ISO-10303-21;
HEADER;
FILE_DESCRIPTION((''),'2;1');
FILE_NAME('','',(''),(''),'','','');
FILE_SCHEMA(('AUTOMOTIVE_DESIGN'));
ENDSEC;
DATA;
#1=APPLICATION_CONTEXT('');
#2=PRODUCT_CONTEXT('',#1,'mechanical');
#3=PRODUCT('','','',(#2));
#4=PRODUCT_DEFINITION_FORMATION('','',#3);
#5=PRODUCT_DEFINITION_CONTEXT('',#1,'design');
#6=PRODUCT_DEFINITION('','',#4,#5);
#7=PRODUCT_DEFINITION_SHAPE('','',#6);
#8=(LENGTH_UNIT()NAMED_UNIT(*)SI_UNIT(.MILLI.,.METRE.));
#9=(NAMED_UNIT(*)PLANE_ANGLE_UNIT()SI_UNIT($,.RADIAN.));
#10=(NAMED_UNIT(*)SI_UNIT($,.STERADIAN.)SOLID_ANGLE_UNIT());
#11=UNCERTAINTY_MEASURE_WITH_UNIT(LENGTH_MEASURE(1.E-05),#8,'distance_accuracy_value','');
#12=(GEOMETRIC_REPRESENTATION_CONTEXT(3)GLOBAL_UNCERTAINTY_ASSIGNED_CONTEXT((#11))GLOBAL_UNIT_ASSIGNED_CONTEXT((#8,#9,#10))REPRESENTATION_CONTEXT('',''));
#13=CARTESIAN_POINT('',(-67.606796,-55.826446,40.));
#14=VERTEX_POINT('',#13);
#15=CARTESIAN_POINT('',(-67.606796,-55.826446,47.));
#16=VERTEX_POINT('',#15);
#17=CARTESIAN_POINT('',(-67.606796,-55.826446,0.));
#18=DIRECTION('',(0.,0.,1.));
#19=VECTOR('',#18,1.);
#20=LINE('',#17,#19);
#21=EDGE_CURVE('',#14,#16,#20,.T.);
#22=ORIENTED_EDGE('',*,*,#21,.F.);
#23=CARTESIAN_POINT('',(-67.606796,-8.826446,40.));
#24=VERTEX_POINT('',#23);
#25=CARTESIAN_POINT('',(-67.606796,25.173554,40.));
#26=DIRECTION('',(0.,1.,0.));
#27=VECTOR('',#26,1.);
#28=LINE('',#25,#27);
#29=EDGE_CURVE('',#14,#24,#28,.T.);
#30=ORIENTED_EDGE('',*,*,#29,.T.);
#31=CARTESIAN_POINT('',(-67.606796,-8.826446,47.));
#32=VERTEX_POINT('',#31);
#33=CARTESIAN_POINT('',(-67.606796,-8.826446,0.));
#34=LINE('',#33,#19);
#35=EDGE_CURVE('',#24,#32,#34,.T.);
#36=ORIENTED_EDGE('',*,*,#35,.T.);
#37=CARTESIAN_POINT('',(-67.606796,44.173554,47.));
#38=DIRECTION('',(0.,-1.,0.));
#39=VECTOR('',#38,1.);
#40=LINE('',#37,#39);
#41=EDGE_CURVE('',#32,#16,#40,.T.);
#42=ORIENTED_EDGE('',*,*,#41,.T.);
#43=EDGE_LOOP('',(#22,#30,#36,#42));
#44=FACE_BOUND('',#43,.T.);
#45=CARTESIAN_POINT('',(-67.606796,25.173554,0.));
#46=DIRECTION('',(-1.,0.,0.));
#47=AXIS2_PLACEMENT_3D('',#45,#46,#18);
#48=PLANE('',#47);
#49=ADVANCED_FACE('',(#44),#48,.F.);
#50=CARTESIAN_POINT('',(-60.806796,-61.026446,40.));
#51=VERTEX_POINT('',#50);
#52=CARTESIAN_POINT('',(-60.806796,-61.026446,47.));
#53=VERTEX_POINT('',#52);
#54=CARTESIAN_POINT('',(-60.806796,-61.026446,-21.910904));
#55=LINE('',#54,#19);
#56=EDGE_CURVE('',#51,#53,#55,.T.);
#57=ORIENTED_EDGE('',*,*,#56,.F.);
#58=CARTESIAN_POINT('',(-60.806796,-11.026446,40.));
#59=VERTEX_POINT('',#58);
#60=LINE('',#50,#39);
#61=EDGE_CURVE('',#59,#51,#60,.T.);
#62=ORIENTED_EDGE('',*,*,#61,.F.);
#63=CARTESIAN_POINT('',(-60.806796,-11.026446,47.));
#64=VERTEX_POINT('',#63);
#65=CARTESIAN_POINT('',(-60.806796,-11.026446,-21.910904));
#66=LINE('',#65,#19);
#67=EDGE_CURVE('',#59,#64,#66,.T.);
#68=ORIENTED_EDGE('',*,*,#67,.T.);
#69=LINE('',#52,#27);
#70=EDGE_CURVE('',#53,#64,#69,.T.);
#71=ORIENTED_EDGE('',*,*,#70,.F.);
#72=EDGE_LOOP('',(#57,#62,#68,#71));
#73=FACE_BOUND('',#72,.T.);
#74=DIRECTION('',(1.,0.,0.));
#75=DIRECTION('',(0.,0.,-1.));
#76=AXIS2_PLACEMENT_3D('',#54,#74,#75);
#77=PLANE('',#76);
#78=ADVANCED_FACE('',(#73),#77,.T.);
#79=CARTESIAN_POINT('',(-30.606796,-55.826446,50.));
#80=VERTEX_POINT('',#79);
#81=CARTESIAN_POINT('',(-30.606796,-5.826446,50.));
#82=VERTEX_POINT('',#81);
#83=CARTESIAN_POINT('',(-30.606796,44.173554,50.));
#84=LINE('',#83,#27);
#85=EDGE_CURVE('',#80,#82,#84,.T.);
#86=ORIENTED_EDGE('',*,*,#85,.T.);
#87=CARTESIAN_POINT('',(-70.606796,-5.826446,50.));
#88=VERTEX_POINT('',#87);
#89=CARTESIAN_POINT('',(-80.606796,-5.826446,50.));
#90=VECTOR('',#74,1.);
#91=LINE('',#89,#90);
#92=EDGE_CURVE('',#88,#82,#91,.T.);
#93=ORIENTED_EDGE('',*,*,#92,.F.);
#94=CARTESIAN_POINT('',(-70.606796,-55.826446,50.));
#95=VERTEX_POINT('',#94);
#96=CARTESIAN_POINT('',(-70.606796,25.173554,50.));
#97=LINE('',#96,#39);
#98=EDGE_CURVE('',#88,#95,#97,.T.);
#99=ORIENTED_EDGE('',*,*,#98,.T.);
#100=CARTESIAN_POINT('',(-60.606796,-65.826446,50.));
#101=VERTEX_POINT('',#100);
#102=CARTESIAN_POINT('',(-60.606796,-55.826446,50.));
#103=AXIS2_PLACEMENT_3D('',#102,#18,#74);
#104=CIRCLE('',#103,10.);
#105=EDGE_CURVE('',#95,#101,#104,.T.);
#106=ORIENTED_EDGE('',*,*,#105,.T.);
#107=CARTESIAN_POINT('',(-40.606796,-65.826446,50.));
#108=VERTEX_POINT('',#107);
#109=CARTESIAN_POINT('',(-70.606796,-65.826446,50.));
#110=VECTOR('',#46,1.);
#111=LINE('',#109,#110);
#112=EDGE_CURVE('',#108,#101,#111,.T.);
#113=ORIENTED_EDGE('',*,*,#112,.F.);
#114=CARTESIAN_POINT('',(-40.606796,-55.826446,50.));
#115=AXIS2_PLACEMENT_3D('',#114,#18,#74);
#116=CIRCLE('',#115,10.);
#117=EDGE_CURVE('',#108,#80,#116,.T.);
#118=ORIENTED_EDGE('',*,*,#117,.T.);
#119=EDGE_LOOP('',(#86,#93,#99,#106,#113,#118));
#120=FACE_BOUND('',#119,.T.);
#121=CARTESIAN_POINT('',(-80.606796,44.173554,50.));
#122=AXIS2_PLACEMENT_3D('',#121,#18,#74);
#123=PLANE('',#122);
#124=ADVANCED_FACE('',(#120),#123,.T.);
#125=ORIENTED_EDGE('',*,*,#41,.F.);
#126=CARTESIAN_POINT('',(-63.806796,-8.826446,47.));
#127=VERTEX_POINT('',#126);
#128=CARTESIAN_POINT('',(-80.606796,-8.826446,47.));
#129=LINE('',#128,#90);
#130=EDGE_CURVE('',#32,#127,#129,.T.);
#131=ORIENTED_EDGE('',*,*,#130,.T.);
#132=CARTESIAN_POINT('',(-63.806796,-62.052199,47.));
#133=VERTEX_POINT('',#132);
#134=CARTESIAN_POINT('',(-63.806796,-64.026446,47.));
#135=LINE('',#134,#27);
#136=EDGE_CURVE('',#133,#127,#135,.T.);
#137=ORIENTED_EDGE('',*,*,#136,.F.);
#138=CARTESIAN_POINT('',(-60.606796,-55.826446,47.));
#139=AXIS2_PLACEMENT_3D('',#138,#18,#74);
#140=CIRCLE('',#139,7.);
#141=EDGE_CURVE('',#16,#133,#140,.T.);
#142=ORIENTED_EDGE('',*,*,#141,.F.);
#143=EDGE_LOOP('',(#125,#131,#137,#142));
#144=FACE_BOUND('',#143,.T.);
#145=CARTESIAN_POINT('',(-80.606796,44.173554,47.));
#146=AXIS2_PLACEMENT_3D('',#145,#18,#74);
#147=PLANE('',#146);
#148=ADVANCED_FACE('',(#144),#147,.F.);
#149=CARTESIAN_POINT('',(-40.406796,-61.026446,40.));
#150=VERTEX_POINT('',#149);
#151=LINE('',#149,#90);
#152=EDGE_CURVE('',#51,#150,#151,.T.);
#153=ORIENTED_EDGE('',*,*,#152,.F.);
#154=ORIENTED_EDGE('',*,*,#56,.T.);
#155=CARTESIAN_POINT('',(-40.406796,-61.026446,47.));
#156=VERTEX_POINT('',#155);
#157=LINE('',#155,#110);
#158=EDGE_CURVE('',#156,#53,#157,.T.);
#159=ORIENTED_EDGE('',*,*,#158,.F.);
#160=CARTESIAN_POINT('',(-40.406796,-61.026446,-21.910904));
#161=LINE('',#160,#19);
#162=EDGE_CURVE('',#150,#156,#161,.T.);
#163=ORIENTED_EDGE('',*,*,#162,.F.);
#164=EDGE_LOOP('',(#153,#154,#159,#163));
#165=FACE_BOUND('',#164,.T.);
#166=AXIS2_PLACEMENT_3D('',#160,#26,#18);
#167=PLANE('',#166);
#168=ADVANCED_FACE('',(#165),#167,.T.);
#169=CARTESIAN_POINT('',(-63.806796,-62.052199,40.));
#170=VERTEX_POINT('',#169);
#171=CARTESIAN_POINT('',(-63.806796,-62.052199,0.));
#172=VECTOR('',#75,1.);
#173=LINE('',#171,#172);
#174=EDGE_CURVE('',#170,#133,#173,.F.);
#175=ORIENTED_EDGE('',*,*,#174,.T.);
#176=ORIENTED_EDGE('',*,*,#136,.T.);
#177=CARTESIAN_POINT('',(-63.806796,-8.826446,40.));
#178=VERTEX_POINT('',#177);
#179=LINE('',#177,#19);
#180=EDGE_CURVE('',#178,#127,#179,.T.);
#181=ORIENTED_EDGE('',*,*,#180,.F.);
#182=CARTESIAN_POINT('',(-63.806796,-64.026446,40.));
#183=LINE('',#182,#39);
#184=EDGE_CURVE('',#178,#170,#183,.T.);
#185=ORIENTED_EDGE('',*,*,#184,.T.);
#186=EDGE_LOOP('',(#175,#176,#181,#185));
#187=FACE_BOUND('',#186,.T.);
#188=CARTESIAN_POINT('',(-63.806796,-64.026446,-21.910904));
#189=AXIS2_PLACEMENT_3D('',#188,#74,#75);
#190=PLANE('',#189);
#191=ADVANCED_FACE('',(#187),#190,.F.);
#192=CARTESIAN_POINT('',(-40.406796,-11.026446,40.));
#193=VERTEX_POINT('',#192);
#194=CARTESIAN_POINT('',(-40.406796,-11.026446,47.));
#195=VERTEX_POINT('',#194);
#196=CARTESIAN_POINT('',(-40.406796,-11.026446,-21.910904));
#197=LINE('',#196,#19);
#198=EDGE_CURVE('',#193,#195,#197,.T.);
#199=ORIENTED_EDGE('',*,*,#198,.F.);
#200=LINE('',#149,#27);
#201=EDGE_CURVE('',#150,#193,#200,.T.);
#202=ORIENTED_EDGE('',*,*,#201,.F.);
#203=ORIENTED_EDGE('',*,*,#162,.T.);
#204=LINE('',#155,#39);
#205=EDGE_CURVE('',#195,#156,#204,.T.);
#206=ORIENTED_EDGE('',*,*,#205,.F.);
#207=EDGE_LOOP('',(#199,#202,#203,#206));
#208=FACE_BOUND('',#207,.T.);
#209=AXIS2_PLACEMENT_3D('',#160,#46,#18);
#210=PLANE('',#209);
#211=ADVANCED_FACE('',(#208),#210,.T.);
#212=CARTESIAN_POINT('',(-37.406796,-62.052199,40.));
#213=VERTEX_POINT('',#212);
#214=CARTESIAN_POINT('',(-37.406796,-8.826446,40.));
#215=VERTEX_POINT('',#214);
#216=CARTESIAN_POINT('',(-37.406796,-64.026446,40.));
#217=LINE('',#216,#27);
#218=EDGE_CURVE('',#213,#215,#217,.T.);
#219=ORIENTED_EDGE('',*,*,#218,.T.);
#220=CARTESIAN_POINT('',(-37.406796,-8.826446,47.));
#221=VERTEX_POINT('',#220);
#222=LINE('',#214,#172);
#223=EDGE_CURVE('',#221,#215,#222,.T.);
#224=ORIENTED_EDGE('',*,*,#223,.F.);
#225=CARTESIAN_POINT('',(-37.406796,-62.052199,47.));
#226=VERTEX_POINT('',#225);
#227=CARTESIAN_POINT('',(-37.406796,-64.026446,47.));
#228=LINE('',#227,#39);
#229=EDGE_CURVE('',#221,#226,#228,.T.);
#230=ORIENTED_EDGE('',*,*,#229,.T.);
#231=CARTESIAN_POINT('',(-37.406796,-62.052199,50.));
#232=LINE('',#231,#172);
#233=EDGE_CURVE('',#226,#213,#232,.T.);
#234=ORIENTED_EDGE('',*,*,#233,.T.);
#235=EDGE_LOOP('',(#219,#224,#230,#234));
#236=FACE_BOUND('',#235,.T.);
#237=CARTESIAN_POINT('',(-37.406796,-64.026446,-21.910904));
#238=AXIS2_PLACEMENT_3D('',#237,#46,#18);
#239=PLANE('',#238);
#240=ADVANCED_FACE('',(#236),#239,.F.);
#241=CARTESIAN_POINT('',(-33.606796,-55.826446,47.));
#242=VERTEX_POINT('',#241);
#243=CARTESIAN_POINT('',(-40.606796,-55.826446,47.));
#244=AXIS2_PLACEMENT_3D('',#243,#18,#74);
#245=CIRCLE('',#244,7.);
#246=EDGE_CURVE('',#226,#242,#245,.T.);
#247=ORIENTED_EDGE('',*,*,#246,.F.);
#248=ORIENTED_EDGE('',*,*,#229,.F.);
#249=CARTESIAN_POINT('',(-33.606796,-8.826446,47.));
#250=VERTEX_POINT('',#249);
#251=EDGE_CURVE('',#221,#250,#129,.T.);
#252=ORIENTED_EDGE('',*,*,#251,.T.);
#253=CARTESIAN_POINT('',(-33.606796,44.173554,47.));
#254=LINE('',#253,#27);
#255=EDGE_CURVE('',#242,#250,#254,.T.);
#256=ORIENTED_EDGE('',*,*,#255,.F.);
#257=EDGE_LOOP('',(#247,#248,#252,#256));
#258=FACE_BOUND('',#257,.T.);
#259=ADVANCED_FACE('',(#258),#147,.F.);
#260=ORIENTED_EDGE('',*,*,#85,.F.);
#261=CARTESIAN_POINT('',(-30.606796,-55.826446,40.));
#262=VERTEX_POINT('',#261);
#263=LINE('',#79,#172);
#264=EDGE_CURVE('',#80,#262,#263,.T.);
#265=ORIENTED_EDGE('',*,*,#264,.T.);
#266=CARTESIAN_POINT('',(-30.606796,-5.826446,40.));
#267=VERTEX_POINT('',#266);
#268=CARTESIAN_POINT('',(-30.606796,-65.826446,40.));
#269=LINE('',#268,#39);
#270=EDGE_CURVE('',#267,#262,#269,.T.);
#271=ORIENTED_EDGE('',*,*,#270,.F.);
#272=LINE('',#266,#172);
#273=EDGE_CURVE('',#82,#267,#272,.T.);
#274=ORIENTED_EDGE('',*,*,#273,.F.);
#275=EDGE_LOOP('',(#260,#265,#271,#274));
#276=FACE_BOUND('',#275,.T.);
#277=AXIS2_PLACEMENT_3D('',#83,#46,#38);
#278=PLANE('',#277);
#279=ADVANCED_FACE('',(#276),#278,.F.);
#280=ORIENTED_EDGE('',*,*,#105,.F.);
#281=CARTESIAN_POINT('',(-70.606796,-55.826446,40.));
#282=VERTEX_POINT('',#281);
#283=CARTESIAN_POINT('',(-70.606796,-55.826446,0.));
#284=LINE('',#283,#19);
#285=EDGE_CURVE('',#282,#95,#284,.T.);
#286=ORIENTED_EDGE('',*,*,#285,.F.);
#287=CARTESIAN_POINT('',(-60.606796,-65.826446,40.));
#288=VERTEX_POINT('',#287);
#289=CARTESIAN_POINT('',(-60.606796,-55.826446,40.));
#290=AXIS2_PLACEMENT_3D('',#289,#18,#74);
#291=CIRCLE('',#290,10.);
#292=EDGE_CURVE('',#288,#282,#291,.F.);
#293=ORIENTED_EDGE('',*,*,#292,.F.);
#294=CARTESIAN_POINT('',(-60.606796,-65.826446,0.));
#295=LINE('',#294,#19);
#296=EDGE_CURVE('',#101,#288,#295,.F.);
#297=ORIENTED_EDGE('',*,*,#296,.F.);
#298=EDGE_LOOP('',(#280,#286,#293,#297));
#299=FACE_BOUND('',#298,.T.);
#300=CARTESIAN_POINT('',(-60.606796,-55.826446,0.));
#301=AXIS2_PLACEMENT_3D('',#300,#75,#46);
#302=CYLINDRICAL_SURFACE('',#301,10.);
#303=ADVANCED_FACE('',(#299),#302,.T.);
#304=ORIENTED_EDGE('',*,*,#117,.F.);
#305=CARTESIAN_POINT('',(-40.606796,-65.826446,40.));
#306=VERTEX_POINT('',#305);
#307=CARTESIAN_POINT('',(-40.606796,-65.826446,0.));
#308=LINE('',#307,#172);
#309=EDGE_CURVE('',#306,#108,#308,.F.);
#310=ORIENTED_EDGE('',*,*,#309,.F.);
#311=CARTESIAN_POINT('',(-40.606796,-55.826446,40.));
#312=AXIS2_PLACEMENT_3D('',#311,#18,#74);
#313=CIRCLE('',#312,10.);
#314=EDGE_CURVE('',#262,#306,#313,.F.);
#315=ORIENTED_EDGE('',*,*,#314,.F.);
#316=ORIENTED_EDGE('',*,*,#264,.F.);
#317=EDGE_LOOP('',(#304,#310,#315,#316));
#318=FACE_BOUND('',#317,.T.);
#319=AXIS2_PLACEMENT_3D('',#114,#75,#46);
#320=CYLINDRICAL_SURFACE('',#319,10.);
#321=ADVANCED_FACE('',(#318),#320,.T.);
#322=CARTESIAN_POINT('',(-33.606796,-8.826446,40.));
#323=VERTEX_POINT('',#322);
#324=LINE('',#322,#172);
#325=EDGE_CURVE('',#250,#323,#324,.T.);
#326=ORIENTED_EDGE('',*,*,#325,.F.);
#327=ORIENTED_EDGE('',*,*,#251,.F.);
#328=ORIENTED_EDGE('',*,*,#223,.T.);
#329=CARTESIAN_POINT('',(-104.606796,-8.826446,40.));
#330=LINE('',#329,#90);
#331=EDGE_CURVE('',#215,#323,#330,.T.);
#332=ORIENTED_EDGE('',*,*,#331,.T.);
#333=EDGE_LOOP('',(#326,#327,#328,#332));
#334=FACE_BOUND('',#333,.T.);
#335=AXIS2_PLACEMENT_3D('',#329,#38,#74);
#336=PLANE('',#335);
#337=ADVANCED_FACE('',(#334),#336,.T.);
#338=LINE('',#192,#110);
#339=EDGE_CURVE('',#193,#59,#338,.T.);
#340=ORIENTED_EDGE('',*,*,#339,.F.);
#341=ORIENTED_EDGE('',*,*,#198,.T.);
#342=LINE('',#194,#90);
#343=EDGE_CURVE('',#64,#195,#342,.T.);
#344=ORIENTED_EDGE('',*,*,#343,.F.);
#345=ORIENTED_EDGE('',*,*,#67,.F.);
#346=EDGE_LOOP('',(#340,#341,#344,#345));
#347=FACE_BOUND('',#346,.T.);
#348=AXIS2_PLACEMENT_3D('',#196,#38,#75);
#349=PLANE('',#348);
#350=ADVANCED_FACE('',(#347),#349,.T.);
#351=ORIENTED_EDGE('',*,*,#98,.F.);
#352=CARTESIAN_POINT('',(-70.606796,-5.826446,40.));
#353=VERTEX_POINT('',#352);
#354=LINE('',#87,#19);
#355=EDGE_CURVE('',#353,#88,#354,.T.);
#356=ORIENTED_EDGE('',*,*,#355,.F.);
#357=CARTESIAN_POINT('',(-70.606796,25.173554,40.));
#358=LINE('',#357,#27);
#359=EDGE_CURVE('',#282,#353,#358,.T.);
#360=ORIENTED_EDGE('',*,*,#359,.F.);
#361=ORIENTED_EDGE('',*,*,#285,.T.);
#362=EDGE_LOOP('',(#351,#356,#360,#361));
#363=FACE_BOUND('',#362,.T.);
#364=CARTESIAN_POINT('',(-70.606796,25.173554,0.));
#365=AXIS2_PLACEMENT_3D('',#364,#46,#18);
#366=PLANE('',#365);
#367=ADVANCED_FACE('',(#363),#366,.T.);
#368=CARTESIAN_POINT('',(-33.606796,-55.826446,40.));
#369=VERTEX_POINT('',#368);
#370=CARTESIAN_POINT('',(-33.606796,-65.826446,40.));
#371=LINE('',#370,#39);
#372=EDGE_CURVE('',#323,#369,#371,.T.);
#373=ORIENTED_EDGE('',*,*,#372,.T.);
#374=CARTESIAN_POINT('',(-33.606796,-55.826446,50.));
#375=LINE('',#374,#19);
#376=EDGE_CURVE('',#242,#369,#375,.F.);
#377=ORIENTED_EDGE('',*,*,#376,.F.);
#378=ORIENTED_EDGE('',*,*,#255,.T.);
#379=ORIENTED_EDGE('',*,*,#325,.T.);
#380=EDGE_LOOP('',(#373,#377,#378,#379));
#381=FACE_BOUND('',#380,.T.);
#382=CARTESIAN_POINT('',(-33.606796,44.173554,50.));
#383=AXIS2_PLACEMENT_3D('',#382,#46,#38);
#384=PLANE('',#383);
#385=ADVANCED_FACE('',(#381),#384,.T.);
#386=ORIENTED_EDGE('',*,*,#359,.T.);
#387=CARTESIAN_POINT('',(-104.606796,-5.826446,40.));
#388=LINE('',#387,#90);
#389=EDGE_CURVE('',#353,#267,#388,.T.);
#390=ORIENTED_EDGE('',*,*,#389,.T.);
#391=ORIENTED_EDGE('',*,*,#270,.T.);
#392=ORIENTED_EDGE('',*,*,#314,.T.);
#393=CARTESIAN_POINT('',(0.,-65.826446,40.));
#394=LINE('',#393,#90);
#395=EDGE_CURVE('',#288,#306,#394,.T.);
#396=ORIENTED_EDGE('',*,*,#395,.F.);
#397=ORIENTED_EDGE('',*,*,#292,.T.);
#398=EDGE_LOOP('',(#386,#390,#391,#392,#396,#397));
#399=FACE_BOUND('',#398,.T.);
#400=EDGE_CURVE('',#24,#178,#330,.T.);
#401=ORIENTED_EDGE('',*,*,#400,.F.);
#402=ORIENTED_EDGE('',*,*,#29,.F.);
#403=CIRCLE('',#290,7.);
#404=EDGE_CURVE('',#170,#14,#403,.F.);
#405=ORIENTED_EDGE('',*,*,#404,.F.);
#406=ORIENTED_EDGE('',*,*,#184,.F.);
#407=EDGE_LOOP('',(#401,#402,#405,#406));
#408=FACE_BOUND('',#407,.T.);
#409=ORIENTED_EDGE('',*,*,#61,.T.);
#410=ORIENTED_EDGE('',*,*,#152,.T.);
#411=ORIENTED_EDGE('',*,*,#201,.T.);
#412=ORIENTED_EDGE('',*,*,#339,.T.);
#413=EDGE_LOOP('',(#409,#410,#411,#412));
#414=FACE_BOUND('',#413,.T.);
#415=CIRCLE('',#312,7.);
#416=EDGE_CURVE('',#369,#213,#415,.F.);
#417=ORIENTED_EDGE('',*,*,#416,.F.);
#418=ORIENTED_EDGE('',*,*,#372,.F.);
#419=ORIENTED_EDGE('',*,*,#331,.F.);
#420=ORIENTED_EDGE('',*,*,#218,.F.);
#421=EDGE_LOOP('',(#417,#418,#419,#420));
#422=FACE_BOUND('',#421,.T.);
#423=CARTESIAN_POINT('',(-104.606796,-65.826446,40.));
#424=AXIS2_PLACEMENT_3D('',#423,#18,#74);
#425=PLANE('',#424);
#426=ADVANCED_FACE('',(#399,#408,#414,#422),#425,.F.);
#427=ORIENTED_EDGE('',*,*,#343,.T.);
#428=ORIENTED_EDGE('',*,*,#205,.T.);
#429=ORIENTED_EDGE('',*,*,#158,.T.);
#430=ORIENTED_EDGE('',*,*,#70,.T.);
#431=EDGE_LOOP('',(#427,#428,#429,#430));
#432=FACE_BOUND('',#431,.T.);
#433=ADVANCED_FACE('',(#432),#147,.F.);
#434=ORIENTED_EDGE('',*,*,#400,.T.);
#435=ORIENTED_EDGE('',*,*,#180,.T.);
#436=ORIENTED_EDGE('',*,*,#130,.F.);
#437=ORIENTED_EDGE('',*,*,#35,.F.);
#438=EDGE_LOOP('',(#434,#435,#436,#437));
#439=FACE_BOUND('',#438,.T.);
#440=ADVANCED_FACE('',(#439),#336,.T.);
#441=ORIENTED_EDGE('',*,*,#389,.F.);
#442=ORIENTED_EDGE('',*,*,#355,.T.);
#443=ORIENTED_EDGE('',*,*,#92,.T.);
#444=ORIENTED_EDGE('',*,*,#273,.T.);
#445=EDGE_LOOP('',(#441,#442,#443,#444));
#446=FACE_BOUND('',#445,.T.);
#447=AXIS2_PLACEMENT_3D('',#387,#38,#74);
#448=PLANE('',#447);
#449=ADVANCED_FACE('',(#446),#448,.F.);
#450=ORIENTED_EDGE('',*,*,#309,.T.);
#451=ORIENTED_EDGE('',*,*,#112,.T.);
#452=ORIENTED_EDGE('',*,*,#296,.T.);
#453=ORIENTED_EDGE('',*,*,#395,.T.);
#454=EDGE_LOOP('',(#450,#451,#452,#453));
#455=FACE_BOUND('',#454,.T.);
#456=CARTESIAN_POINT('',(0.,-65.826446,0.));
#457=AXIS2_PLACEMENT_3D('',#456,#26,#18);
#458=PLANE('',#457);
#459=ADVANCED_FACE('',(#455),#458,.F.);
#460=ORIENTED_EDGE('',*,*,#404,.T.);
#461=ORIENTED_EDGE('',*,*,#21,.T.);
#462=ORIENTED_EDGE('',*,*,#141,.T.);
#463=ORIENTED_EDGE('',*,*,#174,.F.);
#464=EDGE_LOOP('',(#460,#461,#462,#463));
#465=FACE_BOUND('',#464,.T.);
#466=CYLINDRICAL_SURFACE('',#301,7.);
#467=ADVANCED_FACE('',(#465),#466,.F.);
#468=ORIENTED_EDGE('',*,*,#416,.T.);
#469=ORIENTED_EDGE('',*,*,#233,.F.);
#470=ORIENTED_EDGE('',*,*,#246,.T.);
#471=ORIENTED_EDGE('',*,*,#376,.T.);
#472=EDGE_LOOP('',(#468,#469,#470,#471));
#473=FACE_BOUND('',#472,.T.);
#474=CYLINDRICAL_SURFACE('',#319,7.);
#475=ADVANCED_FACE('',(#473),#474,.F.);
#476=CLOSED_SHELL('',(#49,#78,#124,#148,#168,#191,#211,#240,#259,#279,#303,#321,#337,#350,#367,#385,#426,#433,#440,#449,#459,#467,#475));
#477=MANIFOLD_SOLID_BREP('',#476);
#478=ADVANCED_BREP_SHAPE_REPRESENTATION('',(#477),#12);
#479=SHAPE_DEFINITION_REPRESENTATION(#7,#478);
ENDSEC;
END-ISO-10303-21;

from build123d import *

# Parameters (mm, degrees)
SALIENTE_EXTRUIR1_DEPTH      = 50
CROQUIS2_W                   = 40
CROQUIS2_H                   = 50
SALIENTE_EXTRUIR2_DEPTH      = 60
SALIENTE_EXTRUIR2_DEPTH_BACK = 31
REDONDEO1_R                  = 10
REDONDEO2_R                  = 10
CORTAR_EXTRUIR1_DEPTH        = 74
VACIADO1_T                   = -3
CROQUIS4_W                   = 26.4
CROQUIS4_H                   = 56
CROQUIS4_W_2                 = 20.4
CROQUIS4_H_2                 = 50
SALIENTE_EXTRUIR3_DEPTH      = 7


with BuildPart() as part:
    # Croquis1 → Saliente-Extruir1 (new body)
    with BuildSketch(Plane.XY):
        with BuildLine():
            Line((-80.606796451, 54.173553719), (-40.606796451, 54.173553719))
            ThreePointArc((-40.606796451, 54.173553719), (-33.53572864, 51.244621531), (-30.606796451, 44.173553719))
            Line((-30.606796451, 44.173553719), (-30.606796451, 4.173553719))
            ThreePointArc((-30.606796451, 4.173553719), (-33.53572864, -2.897514093), (-40.606796451, -5.826446281))
            Line((-40.606796451, -5.826446281), (-80.606796451, -5.826446281))
            ThreePointArc((-80.606796451, -5.826446281), (-87.677864263, -2.897514093), (-90.606796451, 4.173553719))
            Line((-90.606796451, 4.173553719), (-90.606796451, 44.173553719))
            ThreePointArc((-90.606796451, 44.173553719), (-87.677864263, 51.244621531), (-80.606796451, 54.173553719))
        make_face()
    extrude(amount=SALIENTE_EXTRUIR1_DEPTH)

    # Croquis2 → Saliente-Extruir2 (add, two sides)
    with BuildSketch(Plane.XZ.offset(5.826446281)) as saliente_extruir2_sk:
        with Locations((-50.606796451, 25)):
            Rectangle(CROQUIS2_W, CROQUIS2_H)
    extrude(amount=SALIENTE_EXTRUIR2_DEPTH)
    extrude(saliente_extruir2_sk.sketch, amount=-SALIENTE_EXTRUIR2_DEPTH_BACK)

    # Redondeo1
    redondeo1_edges = [part.edges().sort_by_distance(p)[0] for p in [
        (-30.606796451, -65.826446281, 25),
    ]]
    fillet(redondeo1_edges, radius=REDONDEO1_R)

    # Redondeo2
    redondeo2_edges = [part.edges().sort_by_distance(p)[0] for p in [
        (-70.606796451, -65.826446281, 25),
    ]]
    fillet(redondeo2_edges, radius=REDONDEO2_R)

    # Croquis3 → Cortar-Extruir1 (cut)
    with BuildSketch(Plane(origin=(-30.606796451, 0, 0), x_dir=(0, 0, -1), z_dir=(1, 0, 0))):
        Polygon((-40, -65.826446281), (-40, -5.826446281), (-50, -5.826446281), (-90.954417086, -5.826446281), (-90.954417086, 59.755258828), (17.577829589, 59.755258828), (17.577829589, -73.598263991), (-40, -73.598263991), align=None)
    extrude(amount=-CORTAR_EXTRUIR1_DEPTH, mode=Mode.SUBTRACT)

    # Vaciado1
    vaciado1_openings = [part.faces().sort_by_distance(p)[0] for p in [
        (-50.606796451, -43.183468885, 40),
    ]]
    offset(amount=VACIADO1_T, openings=vaciado1_openings, kind=Kind.INTERSECTION)

    # Croquis4 → Saliente-Extruir3 (add)
    with BuildSketch(Plane(origin=(0, 0, 47), x_dir=(-1, 0, 0), z_dir=(0, 0, -1))):
        with Locations((50.606796451, -36.026446281)):
            Rectangle(CROQUIS4_W, CROQUIS4_H)
        with Locations((50.606796451, -36.026446281)):
            Rectangle(CROQUIS4_W_2, CROQUIS4_H_2, mode=Mode.SUBTRACT)
    extrude(amount=SALIENTE_EXTRUIR3_DEPTH)


solid = part.part
